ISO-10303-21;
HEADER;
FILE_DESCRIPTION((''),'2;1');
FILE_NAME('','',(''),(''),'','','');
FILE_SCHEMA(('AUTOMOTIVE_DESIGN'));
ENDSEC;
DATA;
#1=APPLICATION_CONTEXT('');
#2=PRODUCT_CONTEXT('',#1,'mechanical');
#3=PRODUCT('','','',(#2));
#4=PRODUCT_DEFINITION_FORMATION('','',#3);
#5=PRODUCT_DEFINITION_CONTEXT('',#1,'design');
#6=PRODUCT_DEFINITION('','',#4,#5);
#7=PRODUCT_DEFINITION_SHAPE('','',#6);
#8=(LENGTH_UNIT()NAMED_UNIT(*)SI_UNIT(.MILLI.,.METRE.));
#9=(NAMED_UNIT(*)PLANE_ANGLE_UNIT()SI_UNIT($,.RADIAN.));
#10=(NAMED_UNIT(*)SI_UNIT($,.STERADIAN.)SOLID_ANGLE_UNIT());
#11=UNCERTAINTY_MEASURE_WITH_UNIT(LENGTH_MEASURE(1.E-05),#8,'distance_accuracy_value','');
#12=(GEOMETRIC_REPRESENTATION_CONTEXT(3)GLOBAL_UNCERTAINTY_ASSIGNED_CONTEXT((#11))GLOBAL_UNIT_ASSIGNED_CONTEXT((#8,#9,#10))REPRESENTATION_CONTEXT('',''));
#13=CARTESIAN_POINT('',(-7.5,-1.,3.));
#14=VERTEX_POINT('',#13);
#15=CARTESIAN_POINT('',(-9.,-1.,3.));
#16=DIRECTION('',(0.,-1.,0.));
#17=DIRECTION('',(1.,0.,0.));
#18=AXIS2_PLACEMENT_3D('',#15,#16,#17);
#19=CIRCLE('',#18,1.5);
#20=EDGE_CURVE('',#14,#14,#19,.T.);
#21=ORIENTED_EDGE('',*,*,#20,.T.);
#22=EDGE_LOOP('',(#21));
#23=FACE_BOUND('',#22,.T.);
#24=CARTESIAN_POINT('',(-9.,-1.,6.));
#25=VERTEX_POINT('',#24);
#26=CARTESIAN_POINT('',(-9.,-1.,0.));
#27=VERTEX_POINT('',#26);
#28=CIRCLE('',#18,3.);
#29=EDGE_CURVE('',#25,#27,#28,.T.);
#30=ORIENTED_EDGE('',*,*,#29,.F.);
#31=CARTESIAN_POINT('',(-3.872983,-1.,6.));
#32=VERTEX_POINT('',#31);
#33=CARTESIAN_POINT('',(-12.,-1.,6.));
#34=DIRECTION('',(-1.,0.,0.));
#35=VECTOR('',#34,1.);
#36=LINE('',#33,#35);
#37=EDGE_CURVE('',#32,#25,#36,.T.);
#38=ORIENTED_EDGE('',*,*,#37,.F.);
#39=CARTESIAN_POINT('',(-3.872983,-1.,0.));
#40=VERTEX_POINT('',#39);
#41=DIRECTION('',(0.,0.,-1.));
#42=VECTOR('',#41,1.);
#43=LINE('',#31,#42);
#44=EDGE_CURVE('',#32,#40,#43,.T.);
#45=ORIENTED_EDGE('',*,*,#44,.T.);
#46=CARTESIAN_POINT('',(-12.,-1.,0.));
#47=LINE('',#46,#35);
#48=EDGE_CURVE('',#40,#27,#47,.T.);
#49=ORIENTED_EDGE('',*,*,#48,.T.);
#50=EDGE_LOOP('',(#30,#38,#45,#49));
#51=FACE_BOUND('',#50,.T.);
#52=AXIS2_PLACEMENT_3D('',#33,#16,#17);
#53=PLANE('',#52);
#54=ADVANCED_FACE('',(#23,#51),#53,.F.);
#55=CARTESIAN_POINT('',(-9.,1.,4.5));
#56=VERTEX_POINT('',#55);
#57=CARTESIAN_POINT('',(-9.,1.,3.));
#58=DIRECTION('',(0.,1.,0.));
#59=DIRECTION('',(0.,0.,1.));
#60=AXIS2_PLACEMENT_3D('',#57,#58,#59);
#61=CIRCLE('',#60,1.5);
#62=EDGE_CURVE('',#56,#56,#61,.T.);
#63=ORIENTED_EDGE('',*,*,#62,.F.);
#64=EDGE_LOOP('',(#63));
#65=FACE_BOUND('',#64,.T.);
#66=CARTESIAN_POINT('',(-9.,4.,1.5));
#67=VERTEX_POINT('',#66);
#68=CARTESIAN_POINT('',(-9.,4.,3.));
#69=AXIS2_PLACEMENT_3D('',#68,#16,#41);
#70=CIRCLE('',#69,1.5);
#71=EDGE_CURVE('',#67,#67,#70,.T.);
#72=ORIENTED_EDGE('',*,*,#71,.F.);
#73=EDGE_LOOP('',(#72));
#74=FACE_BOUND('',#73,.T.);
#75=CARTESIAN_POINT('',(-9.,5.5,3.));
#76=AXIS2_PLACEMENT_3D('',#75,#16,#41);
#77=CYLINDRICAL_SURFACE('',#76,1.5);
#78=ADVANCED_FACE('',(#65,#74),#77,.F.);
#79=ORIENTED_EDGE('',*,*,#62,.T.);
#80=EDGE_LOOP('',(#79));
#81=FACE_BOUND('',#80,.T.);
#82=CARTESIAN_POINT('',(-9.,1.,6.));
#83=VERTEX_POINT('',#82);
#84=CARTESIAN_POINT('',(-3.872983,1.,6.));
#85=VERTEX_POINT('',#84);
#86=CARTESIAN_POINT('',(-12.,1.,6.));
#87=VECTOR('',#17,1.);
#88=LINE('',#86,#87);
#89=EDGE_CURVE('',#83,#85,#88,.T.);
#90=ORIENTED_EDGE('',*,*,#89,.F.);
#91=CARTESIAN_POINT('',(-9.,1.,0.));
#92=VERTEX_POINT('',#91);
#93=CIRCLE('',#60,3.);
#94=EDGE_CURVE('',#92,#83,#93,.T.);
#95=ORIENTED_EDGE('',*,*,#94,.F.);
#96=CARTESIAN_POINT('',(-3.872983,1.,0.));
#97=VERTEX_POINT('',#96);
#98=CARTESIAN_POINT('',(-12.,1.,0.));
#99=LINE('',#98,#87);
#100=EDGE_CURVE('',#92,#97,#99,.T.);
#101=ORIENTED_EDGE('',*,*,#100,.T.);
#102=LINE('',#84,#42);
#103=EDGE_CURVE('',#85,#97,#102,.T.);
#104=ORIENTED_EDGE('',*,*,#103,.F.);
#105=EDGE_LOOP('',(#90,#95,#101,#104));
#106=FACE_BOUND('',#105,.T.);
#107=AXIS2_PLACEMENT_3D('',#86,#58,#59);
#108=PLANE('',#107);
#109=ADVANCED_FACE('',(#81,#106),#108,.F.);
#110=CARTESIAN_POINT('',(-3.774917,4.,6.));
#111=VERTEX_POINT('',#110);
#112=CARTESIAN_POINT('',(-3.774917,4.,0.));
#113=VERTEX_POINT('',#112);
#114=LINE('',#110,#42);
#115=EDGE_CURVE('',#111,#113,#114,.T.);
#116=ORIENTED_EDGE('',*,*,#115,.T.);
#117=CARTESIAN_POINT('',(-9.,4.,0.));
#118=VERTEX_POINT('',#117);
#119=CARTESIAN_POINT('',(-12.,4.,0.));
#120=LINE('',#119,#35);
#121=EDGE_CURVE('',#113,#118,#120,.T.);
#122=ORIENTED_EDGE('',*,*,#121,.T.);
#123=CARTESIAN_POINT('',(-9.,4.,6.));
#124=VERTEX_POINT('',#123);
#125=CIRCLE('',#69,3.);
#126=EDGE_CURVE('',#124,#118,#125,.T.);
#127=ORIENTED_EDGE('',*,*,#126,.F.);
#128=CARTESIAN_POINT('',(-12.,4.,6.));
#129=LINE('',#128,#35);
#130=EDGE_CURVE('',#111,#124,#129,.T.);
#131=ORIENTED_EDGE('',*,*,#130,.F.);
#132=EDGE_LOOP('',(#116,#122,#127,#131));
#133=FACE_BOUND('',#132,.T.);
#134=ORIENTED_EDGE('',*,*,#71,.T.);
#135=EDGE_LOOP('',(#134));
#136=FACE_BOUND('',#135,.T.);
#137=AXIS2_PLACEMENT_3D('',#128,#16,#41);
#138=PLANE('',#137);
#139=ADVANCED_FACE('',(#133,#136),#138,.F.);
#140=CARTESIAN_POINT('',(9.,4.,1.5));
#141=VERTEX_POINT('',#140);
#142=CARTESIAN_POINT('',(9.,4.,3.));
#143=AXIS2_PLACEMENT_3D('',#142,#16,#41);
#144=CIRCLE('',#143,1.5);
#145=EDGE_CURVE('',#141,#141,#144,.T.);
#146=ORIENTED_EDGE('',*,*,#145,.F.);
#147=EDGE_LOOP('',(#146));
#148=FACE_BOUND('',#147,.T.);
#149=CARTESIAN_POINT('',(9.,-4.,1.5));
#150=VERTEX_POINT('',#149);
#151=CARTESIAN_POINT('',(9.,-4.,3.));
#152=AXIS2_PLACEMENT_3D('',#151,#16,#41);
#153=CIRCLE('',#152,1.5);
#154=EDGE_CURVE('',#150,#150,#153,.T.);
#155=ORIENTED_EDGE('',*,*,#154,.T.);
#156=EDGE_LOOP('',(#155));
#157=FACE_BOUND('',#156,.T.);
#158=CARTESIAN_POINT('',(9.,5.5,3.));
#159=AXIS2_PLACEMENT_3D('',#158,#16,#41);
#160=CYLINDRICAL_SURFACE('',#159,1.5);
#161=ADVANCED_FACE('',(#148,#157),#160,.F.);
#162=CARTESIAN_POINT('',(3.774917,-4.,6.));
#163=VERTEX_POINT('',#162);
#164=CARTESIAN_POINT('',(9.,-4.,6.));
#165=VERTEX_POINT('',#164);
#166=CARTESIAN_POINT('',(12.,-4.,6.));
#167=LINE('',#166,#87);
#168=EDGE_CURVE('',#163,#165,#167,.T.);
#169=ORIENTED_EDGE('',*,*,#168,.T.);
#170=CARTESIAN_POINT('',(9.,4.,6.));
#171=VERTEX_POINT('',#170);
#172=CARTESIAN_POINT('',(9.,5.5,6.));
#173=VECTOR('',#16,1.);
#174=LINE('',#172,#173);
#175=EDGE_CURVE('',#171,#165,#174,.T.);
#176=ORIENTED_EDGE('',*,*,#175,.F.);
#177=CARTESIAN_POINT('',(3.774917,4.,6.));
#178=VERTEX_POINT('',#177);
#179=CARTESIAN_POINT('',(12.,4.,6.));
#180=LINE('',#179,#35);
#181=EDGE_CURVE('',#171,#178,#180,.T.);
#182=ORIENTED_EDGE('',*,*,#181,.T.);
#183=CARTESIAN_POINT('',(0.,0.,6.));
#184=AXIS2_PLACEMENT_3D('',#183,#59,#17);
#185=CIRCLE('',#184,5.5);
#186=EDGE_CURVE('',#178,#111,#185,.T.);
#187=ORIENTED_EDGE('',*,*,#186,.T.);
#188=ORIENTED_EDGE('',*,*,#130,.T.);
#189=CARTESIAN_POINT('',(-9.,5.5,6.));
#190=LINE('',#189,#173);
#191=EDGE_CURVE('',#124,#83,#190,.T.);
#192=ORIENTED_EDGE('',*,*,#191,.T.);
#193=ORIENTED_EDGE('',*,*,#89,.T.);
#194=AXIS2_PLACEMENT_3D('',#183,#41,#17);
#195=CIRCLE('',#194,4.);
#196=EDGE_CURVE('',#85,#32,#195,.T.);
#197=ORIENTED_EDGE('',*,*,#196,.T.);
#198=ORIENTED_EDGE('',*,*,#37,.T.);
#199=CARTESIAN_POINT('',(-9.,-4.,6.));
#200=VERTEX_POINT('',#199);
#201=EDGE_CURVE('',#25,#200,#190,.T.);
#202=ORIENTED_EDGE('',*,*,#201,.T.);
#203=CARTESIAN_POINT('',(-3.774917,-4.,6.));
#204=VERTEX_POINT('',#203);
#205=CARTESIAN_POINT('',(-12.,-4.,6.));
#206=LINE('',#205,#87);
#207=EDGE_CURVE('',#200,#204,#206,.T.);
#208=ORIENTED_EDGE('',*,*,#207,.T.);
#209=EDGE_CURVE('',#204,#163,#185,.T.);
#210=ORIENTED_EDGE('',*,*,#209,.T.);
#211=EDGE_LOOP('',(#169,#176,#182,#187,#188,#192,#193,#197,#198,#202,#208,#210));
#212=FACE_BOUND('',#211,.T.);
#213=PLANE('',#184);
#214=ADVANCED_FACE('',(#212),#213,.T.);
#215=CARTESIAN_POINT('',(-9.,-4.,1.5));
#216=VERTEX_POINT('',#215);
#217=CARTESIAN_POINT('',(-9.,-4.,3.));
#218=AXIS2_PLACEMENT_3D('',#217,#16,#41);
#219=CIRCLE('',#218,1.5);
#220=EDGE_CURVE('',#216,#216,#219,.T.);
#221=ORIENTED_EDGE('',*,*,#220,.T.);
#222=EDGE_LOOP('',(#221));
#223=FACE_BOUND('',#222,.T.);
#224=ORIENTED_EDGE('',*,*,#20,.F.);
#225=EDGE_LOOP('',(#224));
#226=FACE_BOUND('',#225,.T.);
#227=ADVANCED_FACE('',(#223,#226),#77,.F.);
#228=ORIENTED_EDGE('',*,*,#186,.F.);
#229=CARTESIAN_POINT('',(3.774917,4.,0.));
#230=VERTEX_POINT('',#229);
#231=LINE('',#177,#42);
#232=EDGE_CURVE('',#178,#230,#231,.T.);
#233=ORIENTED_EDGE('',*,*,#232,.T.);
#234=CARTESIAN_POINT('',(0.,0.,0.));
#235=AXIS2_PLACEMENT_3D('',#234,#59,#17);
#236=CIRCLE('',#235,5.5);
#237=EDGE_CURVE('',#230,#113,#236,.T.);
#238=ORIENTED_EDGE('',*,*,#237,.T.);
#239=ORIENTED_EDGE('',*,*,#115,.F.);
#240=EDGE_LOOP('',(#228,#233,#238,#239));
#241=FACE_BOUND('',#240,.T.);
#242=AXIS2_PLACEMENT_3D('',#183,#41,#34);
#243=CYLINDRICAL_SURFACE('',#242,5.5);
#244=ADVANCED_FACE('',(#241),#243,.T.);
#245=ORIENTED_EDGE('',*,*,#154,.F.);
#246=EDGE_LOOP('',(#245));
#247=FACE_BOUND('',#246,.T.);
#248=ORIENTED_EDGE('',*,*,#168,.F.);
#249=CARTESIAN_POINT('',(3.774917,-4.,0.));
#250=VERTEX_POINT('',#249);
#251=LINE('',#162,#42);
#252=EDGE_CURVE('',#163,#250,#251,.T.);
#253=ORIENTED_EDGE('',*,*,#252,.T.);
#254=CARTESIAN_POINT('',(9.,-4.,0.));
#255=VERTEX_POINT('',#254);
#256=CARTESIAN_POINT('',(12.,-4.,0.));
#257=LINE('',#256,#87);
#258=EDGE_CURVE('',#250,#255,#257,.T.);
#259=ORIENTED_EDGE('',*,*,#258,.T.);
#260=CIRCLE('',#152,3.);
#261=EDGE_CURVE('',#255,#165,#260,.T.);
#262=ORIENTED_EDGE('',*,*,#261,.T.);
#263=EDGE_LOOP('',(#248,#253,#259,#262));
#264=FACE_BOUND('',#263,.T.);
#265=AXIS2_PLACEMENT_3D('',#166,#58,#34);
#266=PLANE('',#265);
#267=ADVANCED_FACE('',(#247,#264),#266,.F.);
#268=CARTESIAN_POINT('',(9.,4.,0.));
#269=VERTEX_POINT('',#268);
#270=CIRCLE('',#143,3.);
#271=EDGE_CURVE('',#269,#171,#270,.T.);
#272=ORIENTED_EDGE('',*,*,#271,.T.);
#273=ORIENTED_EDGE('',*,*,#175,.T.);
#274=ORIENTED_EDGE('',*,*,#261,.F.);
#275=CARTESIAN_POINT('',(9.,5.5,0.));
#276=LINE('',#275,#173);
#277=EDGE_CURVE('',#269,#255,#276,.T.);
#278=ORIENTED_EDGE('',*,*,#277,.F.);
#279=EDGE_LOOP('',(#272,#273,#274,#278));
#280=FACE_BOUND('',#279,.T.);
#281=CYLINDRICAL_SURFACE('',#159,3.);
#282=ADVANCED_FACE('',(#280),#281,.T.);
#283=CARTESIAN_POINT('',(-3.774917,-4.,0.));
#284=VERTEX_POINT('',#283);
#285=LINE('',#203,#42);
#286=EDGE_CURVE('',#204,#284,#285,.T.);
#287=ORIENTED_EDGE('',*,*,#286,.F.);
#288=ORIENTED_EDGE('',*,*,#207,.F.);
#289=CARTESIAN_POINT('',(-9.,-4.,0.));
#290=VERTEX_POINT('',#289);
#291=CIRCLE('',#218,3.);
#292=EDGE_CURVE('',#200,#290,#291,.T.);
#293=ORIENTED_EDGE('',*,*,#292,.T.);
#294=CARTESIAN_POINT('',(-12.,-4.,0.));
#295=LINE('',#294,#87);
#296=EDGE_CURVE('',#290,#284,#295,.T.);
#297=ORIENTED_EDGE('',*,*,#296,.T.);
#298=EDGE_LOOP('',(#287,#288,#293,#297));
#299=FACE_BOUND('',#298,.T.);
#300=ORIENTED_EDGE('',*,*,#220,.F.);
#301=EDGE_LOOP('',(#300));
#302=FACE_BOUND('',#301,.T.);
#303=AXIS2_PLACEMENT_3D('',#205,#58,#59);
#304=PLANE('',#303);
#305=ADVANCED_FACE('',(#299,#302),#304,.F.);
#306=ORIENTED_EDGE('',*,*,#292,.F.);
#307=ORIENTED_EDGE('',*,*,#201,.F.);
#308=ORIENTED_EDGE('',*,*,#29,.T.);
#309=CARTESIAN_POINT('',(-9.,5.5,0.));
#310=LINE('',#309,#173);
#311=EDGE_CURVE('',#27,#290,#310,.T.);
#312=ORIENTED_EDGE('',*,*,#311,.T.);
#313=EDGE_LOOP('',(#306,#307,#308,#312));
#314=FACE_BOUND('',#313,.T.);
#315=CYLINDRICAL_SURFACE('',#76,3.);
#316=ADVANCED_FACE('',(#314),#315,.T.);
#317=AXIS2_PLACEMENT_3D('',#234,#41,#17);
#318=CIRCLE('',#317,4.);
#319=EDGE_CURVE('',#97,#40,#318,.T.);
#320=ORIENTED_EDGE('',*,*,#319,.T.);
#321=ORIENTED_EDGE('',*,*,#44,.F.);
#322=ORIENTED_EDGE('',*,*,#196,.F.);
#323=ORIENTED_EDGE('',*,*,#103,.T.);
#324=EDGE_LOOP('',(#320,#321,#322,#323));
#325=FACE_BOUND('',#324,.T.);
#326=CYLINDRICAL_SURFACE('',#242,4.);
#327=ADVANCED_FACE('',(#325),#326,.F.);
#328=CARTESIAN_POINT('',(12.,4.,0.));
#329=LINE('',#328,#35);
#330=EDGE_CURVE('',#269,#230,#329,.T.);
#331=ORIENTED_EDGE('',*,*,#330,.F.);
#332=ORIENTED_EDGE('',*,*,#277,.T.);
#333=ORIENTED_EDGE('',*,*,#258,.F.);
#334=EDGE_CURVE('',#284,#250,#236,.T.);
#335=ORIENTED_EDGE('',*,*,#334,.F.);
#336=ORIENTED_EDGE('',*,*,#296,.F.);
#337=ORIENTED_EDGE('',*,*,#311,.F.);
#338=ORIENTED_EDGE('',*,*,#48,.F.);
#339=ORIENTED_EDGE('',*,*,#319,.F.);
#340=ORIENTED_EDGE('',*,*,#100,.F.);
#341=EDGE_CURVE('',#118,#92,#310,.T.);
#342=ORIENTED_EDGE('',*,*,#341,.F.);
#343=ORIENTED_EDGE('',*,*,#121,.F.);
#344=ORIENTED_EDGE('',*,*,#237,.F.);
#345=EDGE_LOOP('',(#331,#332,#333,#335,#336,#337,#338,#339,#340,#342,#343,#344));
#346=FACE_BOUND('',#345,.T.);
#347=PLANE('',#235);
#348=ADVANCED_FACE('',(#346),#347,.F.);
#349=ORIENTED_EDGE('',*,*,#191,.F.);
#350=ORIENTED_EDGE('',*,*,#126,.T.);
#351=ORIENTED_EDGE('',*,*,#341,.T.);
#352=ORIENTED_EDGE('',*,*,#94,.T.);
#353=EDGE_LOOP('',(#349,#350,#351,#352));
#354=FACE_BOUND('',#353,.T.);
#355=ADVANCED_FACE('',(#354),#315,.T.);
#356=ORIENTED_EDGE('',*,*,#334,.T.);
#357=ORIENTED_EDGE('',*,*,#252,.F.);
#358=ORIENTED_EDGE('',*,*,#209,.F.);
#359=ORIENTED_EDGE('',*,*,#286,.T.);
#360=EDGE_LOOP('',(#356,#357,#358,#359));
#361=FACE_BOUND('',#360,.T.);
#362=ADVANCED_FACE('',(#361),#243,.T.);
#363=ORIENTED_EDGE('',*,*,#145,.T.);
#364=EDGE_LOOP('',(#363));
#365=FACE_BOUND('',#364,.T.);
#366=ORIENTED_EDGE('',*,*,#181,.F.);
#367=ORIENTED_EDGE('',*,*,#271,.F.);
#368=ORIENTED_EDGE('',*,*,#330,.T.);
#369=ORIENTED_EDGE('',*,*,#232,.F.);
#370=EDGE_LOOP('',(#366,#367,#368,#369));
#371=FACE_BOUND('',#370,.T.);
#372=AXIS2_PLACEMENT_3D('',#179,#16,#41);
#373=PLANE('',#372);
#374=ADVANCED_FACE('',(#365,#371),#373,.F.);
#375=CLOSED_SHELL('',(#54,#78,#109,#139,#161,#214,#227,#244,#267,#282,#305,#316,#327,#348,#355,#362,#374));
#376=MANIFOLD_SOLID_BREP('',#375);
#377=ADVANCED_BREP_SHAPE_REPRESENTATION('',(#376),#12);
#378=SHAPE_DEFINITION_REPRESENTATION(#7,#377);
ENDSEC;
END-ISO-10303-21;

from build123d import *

# Parameters (mm, degrees)
EXTRUDE_1_DEPTH     = 6
CUT_EXTRUDE_1_DEPTH = 10.5
SKETCH_3_R          = 1.5
CUT_EXTRUDE_2_DEPTH = 10.5


with BuildPart() as part:
    # 草图1 → 凸台-拉伸1 (new body)
    with BuildSketch(Plane.XY):
        with BuildLine():
            Line((12, 4), (12, -4))
            Line((12, -4), (3.774917218, -4))
            ThreePointArc((3.774917218, -4), (0, -5.5), (-3.774917218, -4))
            Line((-3.774917218, -4), (-12, -4))
            Line((-12, -4), (-12, -1))
            Line((-12, -1), (-3.872983346, -1))
            ThreePointArc((-3.872983346, -1), (4, 0), (-3.872983346, 1))
            Line((-3.872983346, 1), (-12, 1))
            Line((-12, 1), (-12, 4))
            Line((-12, 4), (-3.774917218, 4))
            ThreePointArc((-3.774917218, 4), (0, 5.5), (3.774917218, 4))
            Line((3.774917218, 4), (12, 4))
        make_face()
    extrude(amount=EXTRUDE_1_DEPTH)

    # 草图2 → 切除-拉伸1 (cut, through all)
    with BuildSketch(Plane.XZ.offset(4)):
        with BuildLine():
            ThreePointArc((-9, 0), (-11.121320344, 0.878679656), (-12, 3))
            Line((-12, 3), (-12, 0))
            Line((-12, 0), (-9, 0))
        make_face()
        with BuildLine():
            Line((-9, 6), (-12, 6))
            Line((-12, 6), (-12, 3))
            ThreePointArc((-12, 3), (-11.121320344, 5.121320344), (-9, 6))
        make_face()
        with BuildLine():
            Line((12, 0), (12, 3))
            ThreePointArc((12, 3), (11.121320344, 0.878679656), (9, 0))
            Line((9, 0), (12, 0))
        make_face()
        with BuildLine():
            Line((12, 6), (9, 6))
            ThreePointArc((9, 6), (11.121320344, 5.121320344), (12, 3))
            Line((12, 3), (12, 6))
        make_face()
    extrude(amount=-CUT_EXTRUDE_1_DEPTH, mode=Mode.SUBTRACT)

    # 草图3 → 切除-拉伸2 (cut, through all)
    with BuildSketch(Plane.XZ.offset(4)):
        with Locations((-9, 3)):
            Circle(SKETCH_3_R)
        with Locations((9, 3)):
            Circle(SKETCH_3_R)
    extrude(amount=-CUT_EXTRUDE_2_DEPTH, mode=Mode.SUBTRACT)


solid = part.part
